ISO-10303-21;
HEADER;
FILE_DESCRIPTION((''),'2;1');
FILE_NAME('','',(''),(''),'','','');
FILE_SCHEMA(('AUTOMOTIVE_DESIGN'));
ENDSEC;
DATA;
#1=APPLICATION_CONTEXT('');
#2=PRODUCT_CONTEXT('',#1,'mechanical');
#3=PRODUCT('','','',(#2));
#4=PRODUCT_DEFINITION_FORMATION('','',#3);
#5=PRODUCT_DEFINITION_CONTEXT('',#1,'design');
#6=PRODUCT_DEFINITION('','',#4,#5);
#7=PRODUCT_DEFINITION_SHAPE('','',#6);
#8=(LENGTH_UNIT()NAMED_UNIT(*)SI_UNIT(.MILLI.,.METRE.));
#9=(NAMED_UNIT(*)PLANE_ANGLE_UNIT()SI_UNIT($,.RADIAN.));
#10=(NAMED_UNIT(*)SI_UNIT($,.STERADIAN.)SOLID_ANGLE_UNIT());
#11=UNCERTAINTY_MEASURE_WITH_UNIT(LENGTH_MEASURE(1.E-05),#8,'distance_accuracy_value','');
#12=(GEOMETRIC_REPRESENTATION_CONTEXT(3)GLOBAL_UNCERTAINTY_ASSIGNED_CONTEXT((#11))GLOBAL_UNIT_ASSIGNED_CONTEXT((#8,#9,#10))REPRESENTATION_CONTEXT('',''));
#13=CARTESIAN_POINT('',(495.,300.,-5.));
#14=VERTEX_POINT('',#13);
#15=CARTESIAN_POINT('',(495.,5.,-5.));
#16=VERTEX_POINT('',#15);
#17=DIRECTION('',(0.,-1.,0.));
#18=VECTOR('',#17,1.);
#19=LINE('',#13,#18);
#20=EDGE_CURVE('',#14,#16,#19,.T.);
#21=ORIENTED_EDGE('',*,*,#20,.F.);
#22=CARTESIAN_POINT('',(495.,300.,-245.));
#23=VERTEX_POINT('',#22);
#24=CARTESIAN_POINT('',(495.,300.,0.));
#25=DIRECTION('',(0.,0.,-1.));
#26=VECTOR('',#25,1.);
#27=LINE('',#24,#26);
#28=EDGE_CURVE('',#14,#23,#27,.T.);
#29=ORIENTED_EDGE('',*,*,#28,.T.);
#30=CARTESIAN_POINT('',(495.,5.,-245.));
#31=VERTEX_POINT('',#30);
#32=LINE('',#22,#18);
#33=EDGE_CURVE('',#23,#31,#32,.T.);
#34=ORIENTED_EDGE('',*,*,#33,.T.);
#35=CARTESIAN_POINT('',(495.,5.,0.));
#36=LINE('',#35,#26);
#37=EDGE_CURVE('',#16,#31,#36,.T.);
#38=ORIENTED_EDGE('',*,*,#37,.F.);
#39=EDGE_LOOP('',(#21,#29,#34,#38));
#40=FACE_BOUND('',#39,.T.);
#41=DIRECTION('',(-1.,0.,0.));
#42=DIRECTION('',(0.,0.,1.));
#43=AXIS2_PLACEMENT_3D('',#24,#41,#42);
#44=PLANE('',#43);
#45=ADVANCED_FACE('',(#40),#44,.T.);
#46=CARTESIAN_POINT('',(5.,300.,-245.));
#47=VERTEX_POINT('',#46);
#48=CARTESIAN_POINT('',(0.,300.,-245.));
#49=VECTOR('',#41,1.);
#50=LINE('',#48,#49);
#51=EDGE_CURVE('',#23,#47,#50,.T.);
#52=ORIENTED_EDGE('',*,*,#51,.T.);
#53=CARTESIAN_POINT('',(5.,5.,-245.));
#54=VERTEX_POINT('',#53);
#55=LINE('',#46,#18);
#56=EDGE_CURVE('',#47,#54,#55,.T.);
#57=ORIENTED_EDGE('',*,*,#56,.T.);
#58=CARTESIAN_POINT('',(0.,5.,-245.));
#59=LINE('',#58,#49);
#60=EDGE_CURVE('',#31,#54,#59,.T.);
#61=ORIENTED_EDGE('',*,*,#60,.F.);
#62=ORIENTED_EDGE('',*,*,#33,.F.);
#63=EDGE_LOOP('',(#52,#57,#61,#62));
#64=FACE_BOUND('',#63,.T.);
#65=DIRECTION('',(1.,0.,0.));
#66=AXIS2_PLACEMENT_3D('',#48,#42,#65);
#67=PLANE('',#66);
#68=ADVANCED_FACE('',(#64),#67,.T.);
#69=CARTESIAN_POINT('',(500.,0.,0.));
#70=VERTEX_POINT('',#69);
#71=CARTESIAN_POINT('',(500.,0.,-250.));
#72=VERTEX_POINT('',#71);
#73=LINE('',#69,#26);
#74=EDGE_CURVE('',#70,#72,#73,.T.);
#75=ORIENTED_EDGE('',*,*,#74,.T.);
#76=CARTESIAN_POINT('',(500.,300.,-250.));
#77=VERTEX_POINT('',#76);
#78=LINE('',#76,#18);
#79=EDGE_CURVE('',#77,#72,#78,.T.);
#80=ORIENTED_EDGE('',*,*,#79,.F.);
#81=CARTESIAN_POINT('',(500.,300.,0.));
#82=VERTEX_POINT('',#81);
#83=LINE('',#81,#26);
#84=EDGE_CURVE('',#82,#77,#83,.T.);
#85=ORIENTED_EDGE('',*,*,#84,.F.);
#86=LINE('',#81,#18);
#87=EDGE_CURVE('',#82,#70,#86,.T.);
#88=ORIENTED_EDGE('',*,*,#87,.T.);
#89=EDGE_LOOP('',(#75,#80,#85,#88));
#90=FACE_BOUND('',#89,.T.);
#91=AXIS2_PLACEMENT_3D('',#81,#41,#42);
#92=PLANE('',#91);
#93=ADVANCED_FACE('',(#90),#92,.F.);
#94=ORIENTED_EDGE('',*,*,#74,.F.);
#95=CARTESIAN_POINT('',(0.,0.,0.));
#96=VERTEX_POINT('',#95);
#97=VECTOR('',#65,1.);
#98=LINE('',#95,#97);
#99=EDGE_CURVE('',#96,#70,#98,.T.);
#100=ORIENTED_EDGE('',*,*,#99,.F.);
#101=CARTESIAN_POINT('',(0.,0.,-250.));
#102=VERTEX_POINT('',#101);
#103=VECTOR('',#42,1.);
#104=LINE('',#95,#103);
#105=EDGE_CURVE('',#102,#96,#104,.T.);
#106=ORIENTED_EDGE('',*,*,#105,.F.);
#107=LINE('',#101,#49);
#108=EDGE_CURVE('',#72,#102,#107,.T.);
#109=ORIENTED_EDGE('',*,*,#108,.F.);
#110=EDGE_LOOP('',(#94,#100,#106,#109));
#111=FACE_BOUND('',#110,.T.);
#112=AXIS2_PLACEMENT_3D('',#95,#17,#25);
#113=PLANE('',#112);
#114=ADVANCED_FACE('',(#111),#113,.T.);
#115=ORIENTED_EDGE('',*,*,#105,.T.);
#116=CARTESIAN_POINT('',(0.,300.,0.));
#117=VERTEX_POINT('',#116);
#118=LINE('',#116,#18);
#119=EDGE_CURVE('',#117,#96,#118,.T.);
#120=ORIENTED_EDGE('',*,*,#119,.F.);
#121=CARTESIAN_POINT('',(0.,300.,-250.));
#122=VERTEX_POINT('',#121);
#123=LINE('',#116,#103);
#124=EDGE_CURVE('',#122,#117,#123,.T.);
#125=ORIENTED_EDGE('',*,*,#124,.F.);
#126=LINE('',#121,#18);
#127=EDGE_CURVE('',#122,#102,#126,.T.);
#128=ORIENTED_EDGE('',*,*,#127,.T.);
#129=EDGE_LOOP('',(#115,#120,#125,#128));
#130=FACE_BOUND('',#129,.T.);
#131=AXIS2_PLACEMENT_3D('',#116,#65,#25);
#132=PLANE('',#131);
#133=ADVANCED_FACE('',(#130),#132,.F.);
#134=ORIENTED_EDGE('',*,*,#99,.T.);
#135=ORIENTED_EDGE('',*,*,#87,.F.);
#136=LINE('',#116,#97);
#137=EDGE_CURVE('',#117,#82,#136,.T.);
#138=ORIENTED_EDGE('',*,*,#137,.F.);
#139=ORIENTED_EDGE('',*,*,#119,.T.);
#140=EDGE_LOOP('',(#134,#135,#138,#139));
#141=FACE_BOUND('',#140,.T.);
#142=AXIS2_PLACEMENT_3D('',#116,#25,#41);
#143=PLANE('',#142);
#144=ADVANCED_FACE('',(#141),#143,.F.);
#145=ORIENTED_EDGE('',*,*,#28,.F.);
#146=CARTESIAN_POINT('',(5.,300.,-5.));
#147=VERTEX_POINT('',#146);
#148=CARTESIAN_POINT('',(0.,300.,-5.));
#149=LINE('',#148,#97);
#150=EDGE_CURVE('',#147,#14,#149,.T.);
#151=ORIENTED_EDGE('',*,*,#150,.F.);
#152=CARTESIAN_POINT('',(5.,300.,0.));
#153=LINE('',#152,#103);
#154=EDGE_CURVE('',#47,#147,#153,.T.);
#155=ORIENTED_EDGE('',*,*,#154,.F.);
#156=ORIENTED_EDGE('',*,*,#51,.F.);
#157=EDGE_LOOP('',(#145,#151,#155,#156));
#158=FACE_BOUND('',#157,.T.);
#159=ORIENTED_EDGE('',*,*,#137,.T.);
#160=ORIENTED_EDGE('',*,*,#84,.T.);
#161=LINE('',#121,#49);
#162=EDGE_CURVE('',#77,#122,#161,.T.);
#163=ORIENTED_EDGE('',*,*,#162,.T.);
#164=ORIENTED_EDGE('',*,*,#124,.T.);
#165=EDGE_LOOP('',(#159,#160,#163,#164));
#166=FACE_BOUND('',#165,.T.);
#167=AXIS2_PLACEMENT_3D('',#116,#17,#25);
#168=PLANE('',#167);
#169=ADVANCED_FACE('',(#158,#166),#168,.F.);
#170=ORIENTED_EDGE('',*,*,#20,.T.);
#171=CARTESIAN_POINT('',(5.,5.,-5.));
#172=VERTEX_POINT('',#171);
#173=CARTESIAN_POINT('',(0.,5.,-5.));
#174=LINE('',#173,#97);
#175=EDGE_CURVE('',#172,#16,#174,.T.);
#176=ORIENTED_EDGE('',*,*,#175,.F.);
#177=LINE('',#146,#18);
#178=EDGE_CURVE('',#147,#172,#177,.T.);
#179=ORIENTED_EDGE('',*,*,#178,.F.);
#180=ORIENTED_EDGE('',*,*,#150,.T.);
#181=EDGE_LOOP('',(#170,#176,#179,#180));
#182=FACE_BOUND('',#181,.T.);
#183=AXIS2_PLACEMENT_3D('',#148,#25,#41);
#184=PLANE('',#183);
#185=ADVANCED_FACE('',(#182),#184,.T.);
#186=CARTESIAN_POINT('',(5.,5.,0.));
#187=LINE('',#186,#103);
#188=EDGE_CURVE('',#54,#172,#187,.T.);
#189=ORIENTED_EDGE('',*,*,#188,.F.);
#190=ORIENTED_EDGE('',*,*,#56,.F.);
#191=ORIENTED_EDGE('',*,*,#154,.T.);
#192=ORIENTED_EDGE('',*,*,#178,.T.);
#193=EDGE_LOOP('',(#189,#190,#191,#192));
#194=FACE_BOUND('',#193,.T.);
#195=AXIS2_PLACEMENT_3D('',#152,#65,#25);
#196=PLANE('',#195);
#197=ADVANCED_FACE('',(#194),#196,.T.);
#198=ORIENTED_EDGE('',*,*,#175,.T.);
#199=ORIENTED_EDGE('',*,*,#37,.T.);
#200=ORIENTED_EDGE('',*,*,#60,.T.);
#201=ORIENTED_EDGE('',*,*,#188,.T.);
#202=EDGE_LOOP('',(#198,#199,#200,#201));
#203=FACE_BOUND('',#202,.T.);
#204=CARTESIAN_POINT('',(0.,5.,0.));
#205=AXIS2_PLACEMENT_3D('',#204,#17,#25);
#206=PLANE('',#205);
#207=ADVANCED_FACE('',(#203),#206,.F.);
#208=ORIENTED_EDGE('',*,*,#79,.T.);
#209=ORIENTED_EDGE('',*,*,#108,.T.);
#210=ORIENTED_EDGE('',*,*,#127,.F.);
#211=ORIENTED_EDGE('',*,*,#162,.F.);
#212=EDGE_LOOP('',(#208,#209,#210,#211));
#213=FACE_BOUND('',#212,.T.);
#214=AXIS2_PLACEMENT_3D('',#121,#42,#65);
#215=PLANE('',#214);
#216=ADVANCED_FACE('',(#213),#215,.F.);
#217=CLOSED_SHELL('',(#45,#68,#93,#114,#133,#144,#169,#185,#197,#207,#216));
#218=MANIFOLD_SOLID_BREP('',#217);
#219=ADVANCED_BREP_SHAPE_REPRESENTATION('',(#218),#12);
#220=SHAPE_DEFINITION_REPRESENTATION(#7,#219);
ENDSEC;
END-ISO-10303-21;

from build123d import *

# Parameters (mm, degrees)
SKETCH1_W           = 500
SKETCH1_H           = 250
BOSS_EXTRUDE1_DEPTH = 300
SHELL1_T            = -5


with BuildPart() as part:
    # Sketch1 → Boss-Extrude1 (new body)
    with BuildSketch(Plane(origin=(0, 0, 0), x_dir=(1, 0, 0), z_dir=(0, 1, 0))):
        with Locations((250, 125)):
            Rectangle(SKETCH1_W, SKETCH1_H)
    extrude(amount=BOSS_EXTRUDE1_DEPTH)

    # Shell1
    shell1_openings = [part.faces().sort_by_distance(p)[0] for p in [
        (250, 300, -125),
    ]]
    offset(amount=SHELL1_T, openings=shell1_openings, kind=Kind.INTERSECTION)


solid = part.part
